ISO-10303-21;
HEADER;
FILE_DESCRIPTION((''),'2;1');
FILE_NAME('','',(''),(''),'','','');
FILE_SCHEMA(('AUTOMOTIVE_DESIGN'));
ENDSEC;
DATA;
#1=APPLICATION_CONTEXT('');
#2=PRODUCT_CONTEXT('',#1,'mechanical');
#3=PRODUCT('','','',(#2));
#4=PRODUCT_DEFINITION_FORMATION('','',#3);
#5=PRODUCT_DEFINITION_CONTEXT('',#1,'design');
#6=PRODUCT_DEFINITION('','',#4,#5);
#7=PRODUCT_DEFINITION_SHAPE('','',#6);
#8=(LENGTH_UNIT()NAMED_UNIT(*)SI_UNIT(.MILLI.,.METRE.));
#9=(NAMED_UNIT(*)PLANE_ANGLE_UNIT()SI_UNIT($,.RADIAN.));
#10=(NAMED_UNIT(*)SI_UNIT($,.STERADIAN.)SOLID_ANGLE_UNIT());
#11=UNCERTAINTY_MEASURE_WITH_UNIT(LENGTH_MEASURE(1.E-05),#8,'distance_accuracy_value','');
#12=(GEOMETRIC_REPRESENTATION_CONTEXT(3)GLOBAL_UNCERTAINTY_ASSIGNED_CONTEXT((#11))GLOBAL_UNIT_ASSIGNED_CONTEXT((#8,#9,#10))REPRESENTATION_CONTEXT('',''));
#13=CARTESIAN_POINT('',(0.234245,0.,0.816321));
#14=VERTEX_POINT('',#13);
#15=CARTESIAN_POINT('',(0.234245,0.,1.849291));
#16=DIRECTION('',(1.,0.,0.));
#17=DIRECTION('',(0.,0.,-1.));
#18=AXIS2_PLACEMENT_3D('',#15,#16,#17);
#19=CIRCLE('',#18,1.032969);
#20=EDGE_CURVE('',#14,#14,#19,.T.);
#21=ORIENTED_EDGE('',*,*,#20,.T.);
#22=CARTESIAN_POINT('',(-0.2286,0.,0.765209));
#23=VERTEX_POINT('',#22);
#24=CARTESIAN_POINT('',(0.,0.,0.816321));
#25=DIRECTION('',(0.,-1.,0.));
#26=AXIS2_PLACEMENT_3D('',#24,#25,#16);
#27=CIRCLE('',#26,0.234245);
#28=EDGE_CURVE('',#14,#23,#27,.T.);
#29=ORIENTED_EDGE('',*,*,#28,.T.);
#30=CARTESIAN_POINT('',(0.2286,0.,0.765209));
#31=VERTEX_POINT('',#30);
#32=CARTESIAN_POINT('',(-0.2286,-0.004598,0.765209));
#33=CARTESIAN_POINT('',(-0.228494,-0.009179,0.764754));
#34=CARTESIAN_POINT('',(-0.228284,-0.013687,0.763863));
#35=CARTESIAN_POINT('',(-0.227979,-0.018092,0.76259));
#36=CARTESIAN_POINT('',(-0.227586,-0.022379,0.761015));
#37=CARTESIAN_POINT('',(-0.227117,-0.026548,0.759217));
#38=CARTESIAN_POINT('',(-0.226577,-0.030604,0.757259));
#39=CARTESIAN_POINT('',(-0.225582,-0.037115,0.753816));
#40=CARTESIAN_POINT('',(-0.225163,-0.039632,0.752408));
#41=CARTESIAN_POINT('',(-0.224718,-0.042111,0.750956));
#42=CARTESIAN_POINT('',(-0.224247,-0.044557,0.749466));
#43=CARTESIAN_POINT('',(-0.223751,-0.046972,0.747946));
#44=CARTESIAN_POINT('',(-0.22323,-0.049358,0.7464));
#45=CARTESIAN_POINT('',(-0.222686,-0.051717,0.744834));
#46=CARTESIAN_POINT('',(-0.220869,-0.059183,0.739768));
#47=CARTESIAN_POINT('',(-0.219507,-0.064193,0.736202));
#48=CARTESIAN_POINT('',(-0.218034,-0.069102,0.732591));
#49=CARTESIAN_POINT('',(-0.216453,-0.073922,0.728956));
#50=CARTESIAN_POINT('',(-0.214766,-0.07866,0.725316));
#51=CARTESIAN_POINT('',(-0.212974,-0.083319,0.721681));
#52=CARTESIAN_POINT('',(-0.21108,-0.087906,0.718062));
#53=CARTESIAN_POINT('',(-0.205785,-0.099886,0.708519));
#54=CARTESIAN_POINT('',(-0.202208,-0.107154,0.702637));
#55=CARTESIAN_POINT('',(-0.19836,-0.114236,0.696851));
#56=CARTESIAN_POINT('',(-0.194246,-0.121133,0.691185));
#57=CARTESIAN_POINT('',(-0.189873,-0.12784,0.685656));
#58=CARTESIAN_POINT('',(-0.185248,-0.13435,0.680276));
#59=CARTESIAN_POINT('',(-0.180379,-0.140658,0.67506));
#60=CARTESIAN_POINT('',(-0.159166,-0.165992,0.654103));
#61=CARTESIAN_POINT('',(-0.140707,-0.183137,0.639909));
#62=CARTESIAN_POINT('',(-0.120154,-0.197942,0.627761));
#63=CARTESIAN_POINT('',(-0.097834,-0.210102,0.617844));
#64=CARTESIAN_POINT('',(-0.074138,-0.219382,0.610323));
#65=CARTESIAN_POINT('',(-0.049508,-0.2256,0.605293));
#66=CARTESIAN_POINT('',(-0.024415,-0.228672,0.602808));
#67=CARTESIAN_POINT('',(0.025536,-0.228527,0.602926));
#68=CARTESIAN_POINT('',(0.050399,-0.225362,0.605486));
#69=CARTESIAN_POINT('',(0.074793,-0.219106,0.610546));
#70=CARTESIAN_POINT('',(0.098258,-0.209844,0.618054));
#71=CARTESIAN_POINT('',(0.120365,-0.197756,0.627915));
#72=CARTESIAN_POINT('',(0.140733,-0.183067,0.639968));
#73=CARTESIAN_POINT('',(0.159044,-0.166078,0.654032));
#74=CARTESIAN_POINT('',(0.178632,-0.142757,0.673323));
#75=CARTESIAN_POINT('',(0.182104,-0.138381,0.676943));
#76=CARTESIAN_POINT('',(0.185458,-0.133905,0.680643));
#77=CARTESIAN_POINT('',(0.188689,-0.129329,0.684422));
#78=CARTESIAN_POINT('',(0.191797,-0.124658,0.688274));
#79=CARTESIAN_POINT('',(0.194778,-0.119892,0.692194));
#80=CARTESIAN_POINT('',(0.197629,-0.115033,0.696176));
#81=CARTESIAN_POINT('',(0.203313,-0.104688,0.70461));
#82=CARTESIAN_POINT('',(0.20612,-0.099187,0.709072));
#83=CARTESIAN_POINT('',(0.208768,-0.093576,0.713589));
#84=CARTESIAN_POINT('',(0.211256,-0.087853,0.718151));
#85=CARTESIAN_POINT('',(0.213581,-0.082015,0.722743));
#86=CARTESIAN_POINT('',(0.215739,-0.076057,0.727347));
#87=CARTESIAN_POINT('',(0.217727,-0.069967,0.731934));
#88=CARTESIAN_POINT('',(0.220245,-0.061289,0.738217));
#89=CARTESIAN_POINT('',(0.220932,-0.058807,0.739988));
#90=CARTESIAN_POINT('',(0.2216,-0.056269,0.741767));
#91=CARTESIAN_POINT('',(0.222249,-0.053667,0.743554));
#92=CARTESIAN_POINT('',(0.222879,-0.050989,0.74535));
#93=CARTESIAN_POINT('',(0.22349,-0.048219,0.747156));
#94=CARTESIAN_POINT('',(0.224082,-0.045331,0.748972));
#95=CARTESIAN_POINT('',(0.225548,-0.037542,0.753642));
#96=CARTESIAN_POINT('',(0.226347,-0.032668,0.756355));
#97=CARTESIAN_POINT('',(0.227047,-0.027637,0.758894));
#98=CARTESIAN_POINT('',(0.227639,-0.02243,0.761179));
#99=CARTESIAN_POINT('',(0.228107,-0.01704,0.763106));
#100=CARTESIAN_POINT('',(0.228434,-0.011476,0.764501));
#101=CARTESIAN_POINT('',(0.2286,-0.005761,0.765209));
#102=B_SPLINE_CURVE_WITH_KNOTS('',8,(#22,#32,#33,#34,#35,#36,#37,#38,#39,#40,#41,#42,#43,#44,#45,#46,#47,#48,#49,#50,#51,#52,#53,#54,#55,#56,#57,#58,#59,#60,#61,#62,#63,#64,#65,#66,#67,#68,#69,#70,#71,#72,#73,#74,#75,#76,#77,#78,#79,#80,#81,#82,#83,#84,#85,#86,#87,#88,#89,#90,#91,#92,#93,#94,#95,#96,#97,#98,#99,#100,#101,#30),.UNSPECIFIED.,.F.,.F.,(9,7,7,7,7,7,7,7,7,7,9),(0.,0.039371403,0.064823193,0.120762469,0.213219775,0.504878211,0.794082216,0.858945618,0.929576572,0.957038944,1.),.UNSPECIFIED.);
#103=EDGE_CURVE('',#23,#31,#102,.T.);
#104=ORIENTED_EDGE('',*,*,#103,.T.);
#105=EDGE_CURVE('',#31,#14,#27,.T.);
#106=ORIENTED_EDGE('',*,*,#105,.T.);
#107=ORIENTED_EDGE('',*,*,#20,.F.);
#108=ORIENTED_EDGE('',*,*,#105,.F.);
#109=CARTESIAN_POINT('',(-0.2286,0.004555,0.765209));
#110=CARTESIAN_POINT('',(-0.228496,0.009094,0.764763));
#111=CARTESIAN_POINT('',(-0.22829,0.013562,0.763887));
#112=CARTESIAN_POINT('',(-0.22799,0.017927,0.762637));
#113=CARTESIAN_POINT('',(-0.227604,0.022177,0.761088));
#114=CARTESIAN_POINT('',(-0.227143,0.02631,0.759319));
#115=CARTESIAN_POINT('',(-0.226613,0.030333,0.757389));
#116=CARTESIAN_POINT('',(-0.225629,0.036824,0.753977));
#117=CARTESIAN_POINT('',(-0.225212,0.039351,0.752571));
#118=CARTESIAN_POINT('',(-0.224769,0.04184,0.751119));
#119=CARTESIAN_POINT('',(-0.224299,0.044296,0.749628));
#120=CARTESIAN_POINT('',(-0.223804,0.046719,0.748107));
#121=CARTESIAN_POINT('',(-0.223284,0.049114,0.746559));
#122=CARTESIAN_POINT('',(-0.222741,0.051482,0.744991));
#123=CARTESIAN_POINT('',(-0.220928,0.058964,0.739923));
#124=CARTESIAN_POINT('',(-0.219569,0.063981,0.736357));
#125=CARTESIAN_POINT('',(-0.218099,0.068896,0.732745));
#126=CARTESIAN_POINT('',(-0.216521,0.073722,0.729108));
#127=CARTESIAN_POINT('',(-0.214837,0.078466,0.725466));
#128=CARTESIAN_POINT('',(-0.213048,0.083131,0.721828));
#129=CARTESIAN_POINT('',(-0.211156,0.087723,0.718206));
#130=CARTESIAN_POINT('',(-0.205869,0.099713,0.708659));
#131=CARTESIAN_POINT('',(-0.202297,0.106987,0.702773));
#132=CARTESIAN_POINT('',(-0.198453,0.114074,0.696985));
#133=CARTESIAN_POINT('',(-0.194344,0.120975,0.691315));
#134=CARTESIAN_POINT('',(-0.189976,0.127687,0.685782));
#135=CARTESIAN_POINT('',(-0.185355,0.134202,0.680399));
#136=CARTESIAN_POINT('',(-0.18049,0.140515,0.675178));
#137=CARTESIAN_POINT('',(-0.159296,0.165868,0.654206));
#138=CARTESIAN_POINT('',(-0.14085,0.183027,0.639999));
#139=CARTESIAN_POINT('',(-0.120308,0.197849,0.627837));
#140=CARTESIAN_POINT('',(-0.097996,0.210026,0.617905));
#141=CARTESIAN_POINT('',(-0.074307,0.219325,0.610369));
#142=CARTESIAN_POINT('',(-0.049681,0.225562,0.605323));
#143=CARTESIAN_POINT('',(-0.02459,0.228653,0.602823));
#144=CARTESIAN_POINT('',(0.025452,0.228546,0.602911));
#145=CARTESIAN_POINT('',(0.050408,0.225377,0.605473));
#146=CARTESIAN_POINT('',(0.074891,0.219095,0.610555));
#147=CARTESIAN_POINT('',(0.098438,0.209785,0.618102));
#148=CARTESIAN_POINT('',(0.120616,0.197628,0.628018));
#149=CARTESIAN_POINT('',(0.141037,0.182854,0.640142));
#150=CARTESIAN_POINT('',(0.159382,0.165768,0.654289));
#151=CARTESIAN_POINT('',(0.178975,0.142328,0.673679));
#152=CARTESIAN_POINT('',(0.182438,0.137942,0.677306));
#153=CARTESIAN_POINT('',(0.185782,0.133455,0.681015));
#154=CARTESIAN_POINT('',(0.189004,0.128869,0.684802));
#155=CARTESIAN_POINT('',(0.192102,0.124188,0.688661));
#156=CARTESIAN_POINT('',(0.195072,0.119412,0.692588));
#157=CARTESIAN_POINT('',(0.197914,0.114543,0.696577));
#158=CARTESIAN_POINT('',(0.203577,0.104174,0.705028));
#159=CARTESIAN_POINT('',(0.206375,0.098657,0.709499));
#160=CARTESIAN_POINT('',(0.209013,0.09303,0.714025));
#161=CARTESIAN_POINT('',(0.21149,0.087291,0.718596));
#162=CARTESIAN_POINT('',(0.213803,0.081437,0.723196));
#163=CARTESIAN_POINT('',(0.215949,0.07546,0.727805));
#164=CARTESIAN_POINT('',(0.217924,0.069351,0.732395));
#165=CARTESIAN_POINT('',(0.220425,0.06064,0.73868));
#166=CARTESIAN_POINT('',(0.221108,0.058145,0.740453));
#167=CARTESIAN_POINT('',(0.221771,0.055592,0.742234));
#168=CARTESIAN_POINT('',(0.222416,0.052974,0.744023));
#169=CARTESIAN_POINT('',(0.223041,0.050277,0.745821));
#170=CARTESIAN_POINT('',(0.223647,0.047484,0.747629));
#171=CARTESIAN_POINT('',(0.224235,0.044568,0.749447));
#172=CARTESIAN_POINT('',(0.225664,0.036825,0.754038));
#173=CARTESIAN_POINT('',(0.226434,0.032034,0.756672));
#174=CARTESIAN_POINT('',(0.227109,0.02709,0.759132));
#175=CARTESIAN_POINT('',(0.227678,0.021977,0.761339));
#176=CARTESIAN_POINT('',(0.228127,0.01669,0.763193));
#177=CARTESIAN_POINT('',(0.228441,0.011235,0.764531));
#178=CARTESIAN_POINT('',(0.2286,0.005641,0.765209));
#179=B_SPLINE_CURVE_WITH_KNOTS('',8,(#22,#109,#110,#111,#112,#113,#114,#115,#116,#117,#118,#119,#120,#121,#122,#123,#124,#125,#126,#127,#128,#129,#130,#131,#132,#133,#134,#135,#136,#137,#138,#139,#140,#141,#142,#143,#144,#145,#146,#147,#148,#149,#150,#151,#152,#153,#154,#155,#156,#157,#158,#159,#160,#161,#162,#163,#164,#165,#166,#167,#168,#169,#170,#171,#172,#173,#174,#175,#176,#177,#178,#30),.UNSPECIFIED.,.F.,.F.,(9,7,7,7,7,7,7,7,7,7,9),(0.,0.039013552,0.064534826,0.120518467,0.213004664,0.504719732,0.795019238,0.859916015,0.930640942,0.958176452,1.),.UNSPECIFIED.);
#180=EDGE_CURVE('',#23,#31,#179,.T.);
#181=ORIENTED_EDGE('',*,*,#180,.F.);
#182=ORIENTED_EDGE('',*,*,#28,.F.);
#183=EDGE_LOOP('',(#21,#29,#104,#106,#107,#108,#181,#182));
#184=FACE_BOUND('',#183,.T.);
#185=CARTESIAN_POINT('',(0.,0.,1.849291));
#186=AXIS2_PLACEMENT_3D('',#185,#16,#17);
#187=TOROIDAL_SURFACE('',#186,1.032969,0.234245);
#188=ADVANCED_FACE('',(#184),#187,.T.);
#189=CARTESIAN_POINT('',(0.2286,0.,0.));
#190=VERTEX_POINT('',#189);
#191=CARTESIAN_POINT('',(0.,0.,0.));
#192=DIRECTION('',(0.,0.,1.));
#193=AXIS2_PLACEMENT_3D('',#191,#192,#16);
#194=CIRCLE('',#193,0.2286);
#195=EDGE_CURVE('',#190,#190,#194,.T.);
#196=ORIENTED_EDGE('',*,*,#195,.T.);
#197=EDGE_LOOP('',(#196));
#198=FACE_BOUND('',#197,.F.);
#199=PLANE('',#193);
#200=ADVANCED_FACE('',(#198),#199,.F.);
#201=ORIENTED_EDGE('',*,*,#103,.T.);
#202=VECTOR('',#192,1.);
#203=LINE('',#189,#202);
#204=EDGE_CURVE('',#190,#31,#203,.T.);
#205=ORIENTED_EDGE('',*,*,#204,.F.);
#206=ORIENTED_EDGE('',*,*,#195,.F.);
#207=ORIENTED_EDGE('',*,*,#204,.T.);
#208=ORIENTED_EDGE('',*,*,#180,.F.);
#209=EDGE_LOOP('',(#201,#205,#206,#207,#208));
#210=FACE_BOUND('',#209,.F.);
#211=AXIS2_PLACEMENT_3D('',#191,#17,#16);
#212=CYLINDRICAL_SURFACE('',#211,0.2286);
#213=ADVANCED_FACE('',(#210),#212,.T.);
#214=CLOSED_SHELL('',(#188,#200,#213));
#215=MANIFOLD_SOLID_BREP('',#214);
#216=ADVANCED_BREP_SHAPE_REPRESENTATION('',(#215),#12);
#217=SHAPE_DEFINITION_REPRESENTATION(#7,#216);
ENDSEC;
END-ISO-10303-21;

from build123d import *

# Parameters (mm, degrees)
F0_R     = 3.175
F1_DEPTH = 152.4
F3_R     = 0.2286
F4_DEPTH = 0.8128
F6_R     = 0.2342445073


with BuildPart() as f1:
    # F0 (on Top) → F1 (new body)
    with BuildSketch(Plane.XY):
        Circle(F0_R)
    extrude(amount=F1_DEPTH)


with BuildPart() as f4:
    # F3 (on Top) → F4 (new body)
    with BuildSketch(Plane.XY):
        Circle(F3_R)
    extrude(amount=F4_DEPTH)

    # F6 (on Front) → F7 (revolve)
    with BuildSketch(Plane.XZ):
        with Locations((0, 0.8163214079)):
            Circle(F6_R)
    revolve(axis=Axis((0, 0, 1.8492907984), (1, 0, 0)))


solid = f4.part
